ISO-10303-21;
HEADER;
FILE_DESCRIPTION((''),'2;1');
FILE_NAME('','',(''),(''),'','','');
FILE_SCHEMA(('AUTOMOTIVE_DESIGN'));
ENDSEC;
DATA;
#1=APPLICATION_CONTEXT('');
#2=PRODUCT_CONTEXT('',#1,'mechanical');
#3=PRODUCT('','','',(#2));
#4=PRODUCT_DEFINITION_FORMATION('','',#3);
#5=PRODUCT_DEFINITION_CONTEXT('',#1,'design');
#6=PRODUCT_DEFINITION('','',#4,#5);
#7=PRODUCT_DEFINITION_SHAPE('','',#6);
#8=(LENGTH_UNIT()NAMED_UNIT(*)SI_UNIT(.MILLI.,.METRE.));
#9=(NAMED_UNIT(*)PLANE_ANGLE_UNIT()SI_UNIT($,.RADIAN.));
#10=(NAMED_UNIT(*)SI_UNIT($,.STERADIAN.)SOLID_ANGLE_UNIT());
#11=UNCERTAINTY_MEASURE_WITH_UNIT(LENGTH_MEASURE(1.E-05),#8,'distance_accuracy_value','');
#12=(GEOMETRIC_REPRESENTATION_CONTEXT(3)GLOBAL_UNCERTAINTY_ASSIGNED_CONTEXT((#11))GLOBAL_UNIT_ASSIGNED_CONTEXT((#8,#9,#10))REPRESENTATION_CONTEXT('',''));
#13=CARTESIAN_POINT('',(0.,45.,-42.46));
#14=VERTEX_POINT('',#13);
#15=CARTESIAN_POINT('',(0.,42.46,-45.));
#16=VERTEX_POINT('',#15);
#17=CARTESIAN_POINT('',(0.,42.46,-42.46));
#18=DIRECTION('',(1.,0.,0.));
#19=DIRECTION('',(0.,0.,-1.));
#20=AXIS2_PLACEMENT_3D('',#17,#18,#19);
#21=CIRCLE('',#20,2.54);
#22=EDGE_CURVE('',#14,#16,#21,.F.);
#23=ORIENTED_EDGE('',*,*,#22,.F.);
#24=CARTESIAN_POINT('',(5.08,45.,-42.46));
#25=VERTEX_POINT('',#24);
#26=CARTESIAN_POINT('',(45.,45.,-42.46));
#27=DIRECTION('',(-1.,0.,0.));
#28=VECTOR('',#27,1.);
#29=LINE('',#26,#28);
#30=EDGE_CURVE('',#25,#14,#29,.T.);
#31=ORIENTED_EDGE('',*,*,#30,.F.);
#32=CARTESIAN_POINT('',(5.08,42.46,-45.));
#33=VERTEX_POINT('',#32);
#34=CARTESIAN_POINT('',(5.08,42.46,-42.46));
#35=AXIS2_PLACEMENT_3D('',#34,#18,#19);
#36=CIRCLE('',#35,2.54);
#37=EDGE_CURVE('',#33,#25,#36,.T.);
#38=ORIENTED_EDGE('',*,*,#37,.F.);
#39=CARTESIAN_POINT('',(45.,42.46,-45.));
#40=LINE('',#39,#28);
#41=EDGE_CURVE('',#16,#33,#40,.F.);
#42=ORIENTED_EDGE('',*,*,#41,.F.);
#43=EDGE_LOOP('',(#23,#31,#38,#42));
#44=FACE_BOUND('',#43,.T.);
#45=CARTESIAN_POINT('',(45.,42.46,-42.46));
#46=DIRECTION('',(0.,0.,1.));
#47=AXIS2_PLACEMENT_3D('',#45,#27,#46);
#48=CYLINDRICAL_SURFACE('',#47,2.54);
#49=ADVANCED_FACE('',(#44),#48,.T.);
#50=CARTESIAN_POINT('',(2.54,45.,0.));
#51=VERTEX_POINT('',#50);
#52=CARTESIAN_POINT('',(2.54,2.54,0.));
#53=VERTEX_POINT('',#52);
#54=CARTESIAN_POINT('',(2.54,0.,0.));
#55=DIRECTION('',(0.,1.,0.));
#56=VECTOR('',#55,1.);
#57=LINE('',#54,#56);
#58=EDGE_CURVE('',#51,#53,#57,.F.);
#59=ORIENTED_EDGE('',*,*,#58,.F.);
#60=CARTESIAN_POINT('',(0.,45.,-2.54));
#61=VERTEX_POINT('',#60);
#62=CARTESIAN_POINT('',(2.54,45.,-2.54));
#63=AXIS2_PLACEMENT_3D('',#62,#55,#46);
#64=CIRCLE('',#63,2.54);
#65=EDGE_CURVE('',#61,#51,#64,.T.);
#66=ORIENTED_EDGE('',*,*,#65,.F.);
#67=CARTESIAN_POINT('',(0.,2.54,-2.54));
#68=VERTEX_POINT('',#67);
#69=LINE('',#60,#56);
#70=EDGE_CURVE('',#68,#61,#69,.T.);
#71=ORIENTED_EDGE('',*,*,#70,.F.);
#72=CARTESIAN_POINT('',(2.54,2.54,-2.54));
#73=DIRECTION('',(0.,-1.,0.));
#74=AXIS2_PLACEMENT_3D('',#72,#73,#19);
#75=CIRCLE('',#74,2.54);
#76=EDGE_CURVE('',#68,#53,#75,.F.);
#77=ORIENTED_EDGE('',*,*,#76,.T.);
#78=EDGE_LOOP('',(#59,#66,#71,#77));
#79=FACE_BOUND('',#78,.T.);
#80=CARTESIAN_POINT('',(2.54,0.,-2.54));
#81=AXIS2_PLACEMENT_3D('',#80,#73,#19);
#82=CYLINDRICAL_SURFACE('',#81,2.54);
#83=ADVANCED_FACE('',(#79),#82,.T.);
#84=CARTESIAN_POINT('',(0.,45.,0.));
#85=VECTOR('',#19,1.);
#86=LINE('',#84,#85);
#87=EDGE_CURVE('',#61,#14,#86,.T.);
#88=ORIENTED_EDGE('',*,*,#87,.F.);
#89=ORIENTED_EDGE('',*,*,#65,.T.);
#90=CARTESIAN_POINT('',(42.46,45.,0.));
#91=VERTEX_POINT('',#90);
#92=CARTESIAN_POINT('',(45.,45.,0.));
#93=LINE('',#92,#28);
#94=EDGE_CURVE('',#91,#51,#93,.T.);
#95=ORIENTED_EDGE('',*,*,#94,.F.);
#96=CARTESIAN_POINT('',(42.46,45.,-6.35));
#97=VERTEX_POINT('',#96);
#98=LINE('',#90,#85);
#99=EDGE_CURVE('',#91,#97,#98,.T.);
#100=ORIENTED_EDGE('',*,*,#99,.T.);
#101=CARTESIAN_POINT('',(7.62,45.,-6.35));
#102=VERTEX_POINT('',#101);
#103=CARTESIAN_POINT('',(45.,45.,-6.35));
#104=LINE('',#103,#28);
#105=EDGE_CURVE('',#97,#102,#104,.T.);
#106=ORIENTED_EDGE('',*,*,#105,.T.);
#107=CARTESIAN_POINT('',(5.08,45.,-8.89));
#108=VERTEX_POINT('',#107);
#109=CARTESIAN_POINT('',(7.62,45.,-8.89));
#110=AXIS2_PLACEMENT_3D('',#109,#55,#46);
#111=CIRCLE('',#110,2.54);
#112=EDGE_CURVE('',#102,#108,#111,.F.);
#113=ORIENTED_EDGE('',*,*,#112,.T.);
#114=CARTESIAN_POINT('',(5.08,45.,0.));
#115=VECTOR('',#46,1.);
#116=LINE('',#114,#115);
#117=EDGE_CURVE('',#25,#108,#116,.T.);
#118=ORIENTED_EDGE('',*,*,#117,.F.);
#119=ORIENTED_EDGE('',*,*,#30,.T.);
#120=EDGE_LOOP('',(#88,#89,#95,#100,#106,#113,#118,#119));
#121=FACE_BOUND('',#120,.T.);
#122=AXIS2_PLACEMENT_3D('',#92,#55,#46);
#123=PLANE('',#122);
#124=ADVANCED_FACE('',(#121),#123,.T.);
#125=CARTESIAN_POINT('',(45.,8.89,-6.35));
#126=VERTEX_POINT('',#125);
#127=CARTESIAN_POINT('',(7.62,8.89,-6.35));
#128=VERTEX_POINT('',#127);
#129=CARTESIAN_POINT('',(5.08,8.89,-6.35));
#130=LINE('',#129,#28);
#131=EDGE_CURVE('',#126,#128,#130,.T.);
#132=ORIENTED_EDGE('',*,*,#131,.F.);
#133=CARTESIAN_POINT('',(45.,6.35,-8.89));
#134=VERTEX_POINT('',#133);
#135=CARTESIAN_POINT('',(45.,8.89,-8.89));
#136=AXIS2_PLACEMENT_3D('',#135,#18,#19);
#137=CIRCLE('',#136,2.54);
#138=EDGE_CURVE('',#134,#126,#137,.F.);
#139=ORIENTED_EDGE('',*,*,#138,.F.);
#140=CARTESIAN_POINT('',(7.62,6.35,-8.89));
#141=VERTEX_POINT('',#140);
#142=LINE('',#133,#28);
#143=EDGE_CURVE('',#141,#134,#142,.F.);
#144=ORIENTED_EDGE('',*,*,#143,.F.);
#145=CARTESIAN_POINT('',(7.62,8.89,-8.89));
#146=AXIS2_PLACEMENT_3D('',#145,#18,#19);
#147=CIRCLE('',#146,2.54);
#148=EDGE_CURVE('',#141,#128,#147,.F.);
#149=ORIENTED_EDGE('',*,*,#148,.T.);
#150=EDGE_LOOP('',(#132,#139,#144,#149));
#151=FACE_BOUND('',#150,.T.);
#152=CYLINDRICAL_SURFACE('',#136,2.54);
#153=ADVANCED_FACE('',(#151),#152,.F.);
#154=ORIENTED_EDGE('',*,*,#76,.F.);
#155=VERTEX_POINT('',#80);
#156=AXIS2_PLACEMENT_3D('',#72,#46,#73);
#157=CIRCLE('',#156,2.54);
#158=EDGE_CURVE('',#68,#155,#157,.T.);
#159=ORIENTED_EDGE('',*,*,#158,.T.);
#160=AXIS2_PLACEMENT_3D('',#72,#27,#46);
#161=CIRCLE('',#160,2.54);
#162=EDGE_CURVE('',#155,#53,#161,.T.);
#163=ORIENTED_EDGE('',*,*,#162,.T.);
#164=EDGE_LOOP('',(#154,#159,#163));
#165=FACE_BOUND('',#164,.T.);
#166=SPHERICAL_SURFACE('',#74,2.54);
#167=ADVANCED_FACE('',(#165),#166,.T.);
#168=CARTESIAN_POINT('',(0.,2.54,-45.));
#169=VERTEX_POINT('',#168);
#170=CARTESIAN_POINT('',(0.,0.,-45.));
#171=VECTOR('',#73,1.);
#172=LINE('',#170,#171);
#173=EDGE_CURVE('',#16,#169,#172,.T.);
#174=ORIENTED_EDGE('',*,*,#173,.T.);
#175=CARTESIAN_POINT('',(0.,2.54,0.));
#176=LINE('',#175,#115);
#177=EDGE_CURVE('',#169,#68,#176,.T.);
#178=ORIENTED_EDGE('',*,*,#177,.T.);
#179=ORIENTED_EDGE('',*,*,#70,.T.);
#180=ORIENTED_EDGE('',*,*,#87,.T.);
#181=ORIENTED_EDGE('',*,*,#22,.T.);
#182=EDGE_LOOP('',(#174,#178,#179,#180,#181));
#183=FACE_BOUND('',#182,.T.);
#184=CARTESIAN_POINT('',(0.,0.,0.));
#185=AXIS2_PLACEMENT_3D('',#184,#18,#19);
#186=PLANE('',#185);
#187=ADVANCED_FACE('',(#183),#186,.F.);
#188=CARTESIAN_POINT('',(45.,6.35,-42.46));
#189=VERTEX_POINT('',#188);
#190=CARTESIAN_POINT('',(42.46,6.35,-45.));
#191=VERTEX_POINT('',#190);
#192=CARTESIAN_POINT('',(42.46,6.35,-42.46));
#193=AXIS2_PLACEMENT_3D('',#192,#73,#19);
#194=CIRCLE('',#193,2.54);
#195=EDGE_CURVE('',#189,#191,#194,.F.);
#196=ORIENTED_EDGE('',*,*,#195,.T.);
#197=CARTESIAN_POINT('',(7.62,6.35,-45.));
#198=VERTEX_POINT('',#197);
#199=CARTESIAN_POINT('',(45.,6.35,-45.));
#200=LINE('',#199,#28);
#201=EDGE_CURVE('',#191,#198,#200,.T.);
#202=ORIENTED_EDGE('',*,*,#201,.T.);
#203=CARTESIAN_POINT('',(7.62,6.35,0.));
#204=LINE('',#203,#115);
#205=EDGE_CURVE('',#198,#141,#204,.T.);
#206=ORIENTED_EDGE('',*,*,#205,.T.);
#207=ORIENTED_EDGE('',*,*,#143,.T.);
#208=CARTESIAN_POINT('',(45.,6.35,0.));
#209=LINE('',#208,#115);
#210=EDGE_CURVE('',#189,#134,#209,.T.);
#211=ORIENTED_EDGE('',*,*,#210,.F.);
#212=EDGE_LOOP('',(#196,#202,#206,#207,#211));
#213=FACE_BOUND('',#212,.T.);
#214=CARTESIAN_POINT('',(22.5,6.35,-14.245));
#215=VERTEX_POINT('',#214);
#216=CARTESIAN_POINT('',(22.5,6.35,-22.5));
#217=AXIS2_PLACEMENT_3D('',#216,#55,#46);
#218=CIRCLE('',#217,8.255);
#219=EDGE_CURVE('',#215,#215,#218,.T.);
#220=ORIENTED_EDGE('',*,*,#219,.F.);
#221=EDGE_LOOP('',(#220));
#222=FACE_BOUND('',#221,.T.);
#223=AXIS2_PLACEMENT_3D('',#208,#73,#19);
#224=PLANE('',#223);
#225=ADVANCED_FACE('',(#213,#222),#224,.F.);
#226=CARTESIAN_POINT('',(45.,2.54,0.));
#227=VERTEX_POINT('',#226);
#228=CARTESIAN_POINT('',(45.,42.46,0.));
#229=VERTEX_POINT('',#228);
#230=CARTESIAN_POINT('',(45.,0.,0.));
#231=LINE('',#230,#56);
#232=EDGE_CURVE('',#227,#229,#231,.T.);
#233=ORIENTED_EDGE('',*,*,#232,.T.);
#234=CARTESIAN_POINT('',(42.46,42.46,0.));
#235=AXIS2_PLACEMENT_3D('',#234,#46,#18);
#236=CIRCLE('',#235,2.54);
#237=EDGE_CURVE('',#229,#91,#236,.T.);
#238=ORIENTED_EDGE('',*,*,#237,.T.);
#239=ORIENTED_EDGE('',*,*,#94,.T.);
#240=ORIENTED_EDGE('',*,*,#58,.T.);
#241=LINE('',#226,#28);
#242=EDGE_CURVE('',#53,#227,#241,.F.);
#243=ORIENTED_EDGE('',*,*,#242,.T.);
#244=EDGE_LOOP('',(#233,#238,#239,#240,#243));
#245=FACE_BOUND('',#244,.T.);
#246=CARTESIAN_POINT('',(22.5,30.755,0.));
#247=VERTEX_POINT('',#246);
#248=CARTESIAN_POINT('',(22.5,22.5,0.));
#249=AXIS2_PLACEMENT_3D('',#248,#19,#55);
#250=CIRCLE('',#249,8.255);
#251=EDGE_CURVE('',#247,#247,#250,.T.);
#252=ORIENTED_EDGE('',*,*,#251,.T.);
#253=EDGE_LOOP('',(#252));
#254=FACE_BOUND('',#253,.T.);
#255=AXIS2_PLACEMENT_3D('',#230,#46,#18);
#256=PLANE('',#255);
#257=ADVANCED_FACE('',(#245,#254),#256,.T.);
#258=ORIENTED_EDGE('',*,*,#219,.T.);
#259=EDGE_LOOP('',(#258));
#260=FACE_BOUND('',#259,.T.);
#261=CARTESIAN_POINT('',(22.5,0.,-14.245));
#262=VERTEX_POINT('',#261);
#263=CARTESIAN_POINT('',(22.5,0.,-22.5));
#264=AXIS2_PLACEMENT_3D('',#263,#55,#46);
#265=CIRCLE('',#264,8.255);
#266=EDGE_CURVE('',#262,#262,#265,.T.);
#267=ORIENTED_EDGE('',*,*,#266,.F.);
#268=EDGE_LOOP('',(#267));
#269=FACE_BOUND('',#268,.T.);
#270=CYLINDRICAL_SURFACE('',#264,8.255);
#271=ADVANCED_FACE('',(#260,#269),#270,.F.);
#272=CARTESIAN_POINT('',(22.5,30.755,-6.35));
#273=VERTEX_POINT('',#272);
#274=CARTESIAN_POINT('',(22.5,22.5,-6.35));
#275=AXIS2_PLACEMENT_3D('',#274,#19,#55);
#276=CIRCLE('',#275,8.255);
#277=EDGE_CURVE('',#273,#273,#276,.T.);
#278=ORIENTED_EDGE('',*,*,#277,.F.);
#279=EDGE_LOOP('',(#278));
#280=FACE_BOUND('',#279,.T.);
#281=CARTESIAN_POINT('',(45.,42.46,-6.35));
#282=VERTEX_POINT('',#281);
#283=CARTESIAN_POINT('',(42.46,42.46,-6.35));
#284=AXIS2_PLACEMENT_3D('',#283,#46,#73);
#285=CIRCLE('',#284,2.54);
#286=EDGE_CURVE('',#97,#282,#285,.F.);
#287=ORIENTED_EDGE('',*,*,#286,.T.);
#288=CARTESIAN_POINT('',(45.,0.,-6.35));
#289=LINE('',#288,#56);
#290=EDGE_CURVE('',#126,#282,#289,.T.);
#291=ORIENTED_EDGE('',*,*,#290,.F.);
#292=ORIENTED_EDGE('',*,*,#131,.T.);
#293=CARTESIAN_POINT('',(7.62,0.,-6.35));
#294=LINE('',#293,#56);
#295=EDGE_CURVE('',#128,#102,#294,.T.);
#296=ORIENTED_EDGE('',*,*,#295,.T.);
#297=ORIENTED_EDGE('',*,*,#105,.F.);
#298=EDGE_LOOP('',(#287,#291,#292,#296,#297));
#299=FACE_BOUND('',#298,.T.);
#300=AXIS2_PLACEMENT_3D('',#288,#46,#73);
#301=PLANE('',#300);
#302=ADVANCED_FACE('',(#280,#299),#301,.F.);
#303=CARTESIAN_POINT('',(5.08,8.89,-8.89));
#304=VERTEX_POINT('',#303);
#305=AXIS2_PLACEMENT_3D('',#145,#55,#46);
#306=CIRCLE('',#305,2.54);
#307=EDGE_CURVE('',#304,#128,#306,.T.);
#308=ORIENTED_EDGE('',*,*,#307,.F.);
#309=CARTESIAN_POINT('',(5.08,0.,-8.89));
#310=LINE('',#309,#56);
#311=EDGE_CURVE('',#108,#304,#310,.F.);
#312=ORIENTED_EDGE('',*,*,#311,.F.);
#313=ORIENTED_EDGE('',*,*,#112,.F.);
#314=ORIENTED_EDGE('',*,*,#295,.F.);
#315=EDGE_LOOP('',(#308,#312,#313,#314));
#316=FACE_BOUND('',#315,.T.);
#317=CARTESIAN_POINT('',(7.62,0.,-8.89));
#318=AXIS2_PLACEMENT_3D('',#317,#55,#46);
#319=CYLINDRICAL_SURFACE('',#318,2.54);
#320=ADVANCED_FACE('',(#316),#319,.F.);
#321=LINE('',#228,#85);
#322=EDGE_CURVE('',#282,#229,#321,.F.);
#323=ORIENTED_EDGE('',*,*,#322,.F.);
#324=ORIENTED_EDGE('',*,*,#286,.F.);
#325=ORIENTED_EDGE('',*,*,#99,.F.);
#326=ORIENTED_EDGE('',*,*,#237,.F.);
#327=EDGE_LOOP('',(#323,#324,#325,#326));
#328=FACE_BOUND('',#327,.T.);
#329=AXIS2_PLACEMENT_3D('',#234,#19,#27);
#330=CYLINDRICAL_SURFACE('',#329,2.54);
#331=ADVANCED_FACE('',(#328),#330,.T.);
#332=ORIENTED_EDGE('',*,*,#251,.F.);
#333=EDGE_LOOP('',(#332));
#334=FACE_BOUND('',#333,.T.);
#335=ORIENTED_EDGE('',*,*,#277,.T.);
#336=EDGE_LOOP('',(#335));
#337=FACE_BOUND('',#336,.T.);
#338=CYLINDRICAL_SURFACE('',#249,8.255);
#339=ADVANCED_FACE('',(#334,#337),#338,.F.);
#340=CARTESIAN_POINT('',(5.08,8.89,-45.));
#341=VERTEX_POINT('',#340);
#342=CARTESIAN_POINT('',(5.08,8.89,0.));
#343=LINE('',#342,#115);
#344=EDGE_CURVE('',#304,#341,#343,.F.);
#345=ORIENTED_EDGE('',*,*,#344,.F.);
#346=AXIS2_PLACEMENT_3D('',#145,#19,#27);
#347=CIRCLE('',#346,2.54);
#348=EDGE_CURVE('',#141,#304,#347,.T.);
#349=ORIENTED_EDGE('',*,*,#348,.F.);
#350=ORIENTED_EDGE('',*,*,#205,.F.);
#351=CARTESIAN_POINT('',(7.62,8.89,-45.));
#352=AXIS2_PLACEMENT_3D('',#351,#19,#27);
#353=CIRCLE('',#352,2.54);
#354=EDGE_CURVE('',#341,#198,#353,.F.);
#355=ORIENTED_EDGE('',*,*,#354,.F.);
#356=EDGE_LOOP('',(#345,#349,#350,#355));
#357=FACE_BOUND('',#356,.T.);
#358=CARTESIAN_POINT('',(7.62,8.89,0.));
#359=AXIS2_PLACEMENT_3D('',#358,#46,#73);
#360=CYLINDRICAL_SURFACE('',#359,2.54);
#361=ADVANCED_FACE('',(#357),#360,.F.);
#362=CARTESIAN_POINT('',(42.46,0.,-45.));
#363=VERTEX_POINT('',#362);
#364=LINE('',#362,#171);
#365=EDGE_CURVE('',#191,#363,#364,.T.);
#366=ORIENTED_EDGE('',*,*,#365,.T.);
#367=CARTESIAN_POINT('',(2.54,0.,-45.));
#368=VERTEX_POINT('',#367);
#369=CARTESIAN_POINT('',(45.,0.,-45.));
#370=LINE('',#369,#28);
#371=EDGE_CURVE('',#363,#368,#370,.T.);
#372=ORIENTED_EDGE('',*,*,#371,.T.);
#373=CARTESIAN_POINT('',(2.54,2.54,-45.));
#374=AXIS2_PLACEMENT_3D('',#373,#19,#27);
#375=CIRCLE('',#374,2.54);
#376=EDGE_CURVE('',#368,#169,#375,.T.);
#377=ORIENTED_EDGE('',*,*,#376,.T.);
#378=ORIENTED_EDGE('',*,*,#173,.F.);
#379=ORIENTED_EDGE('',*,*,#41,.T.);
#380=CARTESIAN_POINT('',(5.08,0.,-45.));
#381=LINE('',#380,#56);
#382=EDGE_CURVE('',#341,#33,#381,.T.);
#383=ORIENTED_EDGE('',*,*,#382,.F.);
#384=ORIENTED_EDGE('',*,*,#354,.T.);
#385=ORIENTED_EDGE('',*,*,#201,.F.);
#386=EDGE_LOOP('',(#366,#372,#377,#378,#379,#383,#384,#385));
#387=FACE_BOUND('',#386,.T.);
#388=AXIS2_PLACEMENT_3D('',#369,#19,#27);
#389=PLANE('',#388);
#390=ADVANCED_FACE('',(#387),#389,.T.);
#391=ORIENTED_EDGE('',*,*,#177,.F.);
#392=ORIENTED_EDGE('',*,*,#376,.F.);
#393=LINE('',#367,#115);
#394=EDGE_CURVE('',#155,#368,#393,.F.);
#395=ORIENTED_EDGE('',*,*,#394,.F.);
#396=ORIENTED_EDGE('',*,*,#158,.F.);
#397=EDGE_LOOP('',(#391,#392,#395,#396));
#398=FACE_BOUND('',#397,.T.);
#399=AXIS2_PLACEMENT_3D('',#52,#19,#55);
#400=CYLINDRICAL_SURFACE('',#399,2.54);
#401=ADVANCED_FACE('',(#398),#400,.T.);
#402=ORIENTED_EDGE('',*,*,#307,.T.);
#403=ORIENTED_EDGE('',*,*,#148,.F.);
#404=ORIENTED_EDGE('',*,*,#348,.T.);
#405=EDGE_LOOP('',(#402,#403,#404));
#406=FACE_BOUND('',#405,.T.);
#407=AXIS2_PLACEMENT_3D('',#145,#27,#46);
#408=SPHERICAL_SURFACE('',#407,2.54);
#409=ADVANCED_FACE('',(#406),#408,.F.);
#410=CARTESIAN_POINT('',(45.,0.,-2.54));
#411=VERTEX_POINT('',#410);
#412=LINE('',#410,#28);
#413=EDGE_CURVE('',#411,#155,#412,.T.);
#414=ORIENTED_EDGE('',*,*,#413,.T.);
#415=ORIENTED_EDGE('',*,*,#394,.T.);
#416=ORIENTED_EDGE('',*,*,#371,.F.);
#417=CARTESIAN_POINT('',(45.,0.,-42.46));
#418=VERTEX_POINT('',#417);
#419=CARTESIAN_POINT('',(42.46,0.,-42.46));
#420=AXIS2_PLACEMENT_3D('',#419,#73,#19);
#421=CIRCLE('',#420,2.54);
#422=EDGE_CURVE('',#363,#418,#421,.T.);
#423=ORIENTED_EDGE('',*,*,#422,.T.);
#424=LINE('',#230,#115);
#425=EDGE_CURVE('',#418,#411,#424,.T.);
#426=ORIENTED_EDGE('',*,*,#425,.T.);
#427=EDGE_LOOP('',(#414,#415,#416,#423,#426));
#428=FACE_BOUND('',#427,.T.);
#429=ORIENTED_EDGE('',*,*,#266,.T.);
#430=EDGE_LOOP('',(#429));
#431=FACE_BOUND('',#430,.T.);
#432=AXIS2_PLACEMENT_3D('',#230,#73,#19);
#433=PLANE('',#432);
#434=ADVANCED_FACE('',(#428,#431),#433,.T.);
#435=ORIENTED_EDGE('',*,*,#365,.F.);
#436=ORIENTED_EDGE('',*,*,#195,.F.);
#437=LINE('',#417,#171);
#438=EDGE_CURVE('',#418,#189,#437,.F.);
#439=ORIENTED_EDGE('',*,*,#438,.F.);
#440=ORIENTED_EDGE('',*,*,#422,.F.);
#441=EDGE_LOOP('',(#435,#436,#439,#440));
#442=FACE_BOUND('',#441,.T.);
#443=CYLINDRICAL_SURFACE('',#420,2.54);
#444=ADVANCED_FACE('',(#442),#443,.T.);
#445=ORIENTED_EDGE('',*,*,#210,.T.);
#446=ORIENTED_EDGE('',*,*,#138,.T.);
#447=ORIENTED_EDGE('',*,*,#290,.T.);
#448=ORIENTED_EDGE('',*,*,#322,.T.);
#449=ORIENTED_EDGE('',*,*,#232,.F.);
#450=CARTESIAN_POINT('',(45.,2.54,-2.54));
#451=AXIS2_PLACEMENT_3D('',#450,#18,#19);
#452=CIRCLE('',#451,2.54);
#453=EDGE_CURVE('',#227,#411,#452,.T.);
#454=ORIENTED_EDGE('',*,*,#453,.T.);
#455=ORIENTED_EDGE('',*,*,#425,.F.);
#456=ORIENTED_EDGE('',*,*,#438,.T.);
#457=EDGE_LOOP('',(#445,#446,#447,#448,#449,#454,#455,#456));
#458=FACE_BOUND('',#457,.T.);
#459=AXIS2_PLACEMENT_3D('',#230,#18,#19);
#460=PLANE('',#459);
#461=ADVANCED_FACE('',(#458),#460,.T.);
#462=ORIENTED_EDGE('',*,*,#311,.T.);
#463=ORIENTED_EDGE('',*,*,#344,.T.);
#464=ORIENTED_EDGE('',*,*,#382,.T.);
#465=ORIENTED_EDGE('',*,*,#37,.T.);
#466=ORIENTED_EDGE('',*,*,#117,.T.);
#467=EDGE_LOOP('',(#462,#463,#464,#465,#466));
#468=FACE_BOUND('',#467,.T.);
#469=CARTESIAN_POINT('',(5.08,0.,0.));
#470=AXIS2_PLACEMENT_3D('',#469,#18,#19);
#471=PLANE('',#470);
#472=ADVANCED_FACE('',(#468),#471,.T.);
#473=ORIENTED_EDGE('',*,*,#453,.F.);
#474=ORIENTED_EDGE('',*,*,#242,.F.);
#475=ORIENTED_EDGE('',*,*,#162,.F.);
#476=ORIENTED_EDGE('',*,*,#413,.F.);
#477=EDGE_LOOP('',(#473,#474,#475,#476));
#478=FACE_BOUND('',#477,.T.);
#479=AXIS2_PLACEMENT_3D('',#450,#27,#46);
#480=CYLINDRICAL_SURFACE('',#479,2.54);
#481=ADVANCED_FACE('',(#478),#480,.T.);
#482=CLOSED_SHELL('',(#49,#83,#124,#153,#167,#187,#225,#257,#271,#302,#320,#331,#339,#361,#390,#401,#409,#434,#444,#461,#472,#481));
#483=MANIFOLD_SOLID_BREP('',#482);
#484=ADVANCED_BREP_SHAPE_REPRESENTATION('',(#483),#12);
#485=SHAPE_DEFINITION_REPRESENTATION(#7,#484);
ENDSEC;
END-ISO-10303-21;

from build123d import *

# Parameters (mm, degrees)
BOSS_EXTRUDE1_DEPTH = 45
SKETCH3_R           = 8.255
CUT_EXTRUDE1_DEPTH  = 75.456849826
SKETCH2_3_W         = 38.649999916
SKETCH2_3_H         = 38.649999916
BOSS_EXTRUDE2_DEPTH = 5.08
SKETCH4_R           = 8.255
CUT_EXTRUDE2_DEPTH  = 75.456849826
FILLET1_R           = 2.54


with BuildPart() as part:
    # Sketch2 → Boss-Extrude1 (new body)
    with BuildSketch(Plane(origin=(0, 0, 0), x_dir=(0, 0, -1), z_dir=(1, 0, 0))):
        Polygon((0, 0), (44.999999916, 0), (44.999999916, 6.35), (6.35, 6.35), (6.35, 44.999999916), (0, 44.999999916), align=None)
    extrude(amount=BOSS_EXTRUDE1_DEPTH)

    # Sketch3 → Cut-Extrude1 (cut, through all)
    with BuildSketch(Plane(origin=(0, 6.35, 0), x_dir=(1, 0, 0), z_dir=(0, 1, 0))):
        with Locations((22.5, 22.499999958)):
            Circle(SKETCH3_R)
    extrude(amount=-CUT_EXTRUDE1_DEPTH, mode=Mode.SUBTRACT)

    # Sketch2<3> → Boss-Extrude2 (add)
    with BuildSketch(Plane(origin=(0, 0, 0), x_dir=(0, 0, -1), z_dir=(1, 0, 0))):
        with Locations((25.674999958, 25.674999958)):
            Rectangle(SKETCH2_3_W, SKETCH2_3_H)
    extrude(amount=BOSS_EXTRUDE2_DEPTH)

    # Sketch4 → Cut-Extrude2 (cut, through all)
    with BuildSketch(Plane(origin=(0, 0, -6.35), x_dir=(-1, 0, 0), z_dir=(0, 0, -1))):
        with Locations((-22.5, 22.499999958)):
            Circle(SKETCH4_R)
    extrude(amount=-CUT_EXTRUDE2_DEPTH, mode=Mode.SUBTRACT)

    # Fillet1
    fillet1_edges = [part.edges().sort_by_distance(p)[0] for p in [
        (45, 3.175, -44.999999916),
        (45, 44.999999916, -3.175),
        (25.04, 6.35, -6.35),
        (5.08, 6.35, -25.674999958),
        (5.08, 25.674999958, -6.35),
        (2.54, 44.999999916, -44.999999916),
        (0, 22.499999958, 0),
        (22.5, 0, 0),
        (0, 0, -22.499999958),
    ]]
    fillet(fillet1_edges, radius=FILLET1_R)


solid = part.part
